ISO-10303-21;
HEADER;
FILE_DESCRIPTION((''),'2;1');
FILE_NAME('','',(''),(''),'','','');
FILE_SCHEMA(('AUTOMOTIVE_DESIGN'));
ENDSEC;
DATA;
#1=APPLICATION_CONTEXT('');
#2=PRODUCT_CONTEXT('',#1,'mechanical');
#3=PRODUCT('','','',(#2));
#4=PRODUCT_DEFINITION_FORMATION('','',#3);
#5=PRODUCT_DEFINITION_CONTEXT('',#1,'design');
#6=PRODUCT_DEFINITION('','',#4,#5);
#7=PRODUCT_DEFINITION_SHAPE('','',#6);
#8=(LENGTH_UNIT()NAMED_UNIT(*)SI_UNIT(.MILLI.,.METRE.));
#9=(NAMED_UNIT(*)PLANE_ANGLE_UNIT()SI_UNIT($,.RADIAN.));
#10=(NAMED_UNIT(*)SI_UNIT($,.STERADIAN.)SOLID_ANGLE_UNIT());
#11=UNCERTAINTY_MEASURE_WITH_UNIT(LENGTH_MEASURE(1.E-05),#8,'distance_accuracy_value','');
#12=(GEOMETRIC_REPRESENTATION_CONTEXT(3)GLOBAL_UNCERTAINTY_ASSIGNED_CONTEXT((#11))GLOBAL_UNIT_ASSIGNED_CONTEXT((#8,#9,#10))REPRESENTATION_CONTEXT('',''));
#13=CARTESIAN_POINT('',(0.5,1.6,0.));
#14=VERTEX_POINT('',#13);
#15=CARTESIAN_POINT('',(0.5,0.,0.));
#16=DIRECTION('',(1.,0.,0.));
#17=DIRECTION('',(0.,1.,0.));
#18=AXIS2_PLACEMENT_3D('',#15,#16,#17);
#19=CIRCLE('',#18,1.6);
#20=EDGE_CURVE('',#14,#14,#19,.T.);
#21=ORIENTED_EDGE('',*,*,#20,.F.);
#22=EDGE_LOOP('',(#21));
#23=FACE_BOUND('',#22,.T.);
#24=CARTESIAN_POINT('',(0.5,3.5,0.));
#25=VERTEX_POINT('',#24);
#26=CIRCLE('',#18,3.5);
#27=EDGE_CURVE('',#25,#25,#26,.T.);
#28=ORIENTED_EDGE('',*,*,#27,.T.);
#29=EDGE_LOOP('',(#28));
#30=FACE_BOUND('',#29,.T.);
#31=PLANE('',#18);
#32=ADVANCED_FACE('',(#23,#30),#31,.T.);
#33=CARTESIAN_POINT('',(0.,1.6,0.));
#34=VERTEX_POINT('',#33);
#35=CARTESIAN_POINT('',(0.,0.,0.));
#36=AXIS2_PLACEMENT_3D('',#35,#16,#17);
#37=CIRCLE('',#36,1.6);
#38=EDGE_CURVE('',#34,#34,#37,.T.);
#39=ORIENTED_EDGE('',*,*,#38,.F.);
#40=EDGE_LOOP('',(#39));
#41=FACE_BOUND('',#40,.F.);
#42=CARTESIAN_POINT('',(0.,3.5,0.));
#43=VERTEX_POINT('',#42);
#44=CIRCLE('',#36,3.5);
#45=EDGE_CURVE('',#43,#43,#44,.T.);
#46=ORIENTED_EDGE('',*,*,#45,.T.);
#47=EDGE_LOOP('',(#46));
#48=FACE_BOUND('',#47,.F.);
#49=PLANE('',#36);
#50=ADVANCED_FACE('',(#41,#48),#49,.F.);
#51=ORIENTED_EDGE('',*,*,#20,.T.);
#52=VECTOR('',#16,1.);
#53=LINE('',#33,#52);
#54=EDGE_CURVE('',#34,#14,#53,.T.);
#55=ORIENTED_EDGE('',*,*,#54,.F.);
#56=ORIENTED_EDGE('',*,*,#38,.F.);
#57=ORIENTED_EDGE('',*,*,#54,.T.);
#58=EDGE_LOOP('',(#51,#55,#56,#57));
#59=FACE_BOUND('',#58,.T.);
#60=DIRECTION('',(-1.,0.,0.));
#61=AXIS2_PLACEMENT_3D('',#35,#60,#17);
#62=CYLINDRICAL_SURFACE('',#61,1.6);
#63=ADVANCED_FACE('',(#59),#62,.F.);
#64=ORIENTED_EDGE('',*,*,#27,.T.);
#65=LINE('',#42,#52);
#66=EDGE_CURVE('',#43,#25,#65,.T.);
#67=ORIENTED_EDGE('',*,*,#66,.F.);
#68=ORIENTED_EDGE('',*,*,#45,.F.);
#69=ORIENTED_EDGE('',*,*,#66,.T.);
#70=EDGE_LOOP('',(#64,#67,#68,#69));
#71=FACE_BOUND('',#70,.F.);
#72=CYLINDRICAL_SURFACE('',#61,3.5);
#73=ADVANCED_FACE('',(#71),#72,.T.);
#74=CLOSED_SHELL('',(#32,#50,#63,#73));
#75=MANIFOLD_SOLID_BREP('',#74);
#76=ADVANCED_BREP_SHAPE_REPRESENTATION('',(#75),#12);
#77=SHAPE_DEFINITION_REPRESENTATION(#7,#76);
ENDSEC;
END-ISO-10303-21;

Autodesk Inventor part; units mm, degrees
ref_plane "YZ Plane" through (0, 0, 0) normal (1, 0, 0) x (0, 1, 0)
ref_plane "XZ Plane" through (0, 0, 0) normal (0, 1, 0) x (-1, 0, 0)
sketch "Szkic" plane through (0, 0, 0) normal (1, 0, 0) x (0, 1, 0)
  circle A0 centre (0, 0) radius 3.5
  circle A1 centre (0, 0) radius 1.6
  dimension "d0" = 3.2
  dimension "d1" = 7
extrude "Bryła" add sketch "Szkic" along normal blind 0.5
ref_plane "Work Plane1" through (0, 0, 0) normal (0, 0, 1) x (1, 0, 0)
equation "\"d0\" = SD1"
equation "\"d1\" = SD2"
equation "\"d2\" = SD"
equation "\"SD1\" = 3.2"
equation "\"SD2\" = 7"
equation "\"SD\" = 0.5"
equation "\"NND\" = 3"
properties part number "ISO 7089 - 3 - 140 HV" material "Stal nierdzewna"
